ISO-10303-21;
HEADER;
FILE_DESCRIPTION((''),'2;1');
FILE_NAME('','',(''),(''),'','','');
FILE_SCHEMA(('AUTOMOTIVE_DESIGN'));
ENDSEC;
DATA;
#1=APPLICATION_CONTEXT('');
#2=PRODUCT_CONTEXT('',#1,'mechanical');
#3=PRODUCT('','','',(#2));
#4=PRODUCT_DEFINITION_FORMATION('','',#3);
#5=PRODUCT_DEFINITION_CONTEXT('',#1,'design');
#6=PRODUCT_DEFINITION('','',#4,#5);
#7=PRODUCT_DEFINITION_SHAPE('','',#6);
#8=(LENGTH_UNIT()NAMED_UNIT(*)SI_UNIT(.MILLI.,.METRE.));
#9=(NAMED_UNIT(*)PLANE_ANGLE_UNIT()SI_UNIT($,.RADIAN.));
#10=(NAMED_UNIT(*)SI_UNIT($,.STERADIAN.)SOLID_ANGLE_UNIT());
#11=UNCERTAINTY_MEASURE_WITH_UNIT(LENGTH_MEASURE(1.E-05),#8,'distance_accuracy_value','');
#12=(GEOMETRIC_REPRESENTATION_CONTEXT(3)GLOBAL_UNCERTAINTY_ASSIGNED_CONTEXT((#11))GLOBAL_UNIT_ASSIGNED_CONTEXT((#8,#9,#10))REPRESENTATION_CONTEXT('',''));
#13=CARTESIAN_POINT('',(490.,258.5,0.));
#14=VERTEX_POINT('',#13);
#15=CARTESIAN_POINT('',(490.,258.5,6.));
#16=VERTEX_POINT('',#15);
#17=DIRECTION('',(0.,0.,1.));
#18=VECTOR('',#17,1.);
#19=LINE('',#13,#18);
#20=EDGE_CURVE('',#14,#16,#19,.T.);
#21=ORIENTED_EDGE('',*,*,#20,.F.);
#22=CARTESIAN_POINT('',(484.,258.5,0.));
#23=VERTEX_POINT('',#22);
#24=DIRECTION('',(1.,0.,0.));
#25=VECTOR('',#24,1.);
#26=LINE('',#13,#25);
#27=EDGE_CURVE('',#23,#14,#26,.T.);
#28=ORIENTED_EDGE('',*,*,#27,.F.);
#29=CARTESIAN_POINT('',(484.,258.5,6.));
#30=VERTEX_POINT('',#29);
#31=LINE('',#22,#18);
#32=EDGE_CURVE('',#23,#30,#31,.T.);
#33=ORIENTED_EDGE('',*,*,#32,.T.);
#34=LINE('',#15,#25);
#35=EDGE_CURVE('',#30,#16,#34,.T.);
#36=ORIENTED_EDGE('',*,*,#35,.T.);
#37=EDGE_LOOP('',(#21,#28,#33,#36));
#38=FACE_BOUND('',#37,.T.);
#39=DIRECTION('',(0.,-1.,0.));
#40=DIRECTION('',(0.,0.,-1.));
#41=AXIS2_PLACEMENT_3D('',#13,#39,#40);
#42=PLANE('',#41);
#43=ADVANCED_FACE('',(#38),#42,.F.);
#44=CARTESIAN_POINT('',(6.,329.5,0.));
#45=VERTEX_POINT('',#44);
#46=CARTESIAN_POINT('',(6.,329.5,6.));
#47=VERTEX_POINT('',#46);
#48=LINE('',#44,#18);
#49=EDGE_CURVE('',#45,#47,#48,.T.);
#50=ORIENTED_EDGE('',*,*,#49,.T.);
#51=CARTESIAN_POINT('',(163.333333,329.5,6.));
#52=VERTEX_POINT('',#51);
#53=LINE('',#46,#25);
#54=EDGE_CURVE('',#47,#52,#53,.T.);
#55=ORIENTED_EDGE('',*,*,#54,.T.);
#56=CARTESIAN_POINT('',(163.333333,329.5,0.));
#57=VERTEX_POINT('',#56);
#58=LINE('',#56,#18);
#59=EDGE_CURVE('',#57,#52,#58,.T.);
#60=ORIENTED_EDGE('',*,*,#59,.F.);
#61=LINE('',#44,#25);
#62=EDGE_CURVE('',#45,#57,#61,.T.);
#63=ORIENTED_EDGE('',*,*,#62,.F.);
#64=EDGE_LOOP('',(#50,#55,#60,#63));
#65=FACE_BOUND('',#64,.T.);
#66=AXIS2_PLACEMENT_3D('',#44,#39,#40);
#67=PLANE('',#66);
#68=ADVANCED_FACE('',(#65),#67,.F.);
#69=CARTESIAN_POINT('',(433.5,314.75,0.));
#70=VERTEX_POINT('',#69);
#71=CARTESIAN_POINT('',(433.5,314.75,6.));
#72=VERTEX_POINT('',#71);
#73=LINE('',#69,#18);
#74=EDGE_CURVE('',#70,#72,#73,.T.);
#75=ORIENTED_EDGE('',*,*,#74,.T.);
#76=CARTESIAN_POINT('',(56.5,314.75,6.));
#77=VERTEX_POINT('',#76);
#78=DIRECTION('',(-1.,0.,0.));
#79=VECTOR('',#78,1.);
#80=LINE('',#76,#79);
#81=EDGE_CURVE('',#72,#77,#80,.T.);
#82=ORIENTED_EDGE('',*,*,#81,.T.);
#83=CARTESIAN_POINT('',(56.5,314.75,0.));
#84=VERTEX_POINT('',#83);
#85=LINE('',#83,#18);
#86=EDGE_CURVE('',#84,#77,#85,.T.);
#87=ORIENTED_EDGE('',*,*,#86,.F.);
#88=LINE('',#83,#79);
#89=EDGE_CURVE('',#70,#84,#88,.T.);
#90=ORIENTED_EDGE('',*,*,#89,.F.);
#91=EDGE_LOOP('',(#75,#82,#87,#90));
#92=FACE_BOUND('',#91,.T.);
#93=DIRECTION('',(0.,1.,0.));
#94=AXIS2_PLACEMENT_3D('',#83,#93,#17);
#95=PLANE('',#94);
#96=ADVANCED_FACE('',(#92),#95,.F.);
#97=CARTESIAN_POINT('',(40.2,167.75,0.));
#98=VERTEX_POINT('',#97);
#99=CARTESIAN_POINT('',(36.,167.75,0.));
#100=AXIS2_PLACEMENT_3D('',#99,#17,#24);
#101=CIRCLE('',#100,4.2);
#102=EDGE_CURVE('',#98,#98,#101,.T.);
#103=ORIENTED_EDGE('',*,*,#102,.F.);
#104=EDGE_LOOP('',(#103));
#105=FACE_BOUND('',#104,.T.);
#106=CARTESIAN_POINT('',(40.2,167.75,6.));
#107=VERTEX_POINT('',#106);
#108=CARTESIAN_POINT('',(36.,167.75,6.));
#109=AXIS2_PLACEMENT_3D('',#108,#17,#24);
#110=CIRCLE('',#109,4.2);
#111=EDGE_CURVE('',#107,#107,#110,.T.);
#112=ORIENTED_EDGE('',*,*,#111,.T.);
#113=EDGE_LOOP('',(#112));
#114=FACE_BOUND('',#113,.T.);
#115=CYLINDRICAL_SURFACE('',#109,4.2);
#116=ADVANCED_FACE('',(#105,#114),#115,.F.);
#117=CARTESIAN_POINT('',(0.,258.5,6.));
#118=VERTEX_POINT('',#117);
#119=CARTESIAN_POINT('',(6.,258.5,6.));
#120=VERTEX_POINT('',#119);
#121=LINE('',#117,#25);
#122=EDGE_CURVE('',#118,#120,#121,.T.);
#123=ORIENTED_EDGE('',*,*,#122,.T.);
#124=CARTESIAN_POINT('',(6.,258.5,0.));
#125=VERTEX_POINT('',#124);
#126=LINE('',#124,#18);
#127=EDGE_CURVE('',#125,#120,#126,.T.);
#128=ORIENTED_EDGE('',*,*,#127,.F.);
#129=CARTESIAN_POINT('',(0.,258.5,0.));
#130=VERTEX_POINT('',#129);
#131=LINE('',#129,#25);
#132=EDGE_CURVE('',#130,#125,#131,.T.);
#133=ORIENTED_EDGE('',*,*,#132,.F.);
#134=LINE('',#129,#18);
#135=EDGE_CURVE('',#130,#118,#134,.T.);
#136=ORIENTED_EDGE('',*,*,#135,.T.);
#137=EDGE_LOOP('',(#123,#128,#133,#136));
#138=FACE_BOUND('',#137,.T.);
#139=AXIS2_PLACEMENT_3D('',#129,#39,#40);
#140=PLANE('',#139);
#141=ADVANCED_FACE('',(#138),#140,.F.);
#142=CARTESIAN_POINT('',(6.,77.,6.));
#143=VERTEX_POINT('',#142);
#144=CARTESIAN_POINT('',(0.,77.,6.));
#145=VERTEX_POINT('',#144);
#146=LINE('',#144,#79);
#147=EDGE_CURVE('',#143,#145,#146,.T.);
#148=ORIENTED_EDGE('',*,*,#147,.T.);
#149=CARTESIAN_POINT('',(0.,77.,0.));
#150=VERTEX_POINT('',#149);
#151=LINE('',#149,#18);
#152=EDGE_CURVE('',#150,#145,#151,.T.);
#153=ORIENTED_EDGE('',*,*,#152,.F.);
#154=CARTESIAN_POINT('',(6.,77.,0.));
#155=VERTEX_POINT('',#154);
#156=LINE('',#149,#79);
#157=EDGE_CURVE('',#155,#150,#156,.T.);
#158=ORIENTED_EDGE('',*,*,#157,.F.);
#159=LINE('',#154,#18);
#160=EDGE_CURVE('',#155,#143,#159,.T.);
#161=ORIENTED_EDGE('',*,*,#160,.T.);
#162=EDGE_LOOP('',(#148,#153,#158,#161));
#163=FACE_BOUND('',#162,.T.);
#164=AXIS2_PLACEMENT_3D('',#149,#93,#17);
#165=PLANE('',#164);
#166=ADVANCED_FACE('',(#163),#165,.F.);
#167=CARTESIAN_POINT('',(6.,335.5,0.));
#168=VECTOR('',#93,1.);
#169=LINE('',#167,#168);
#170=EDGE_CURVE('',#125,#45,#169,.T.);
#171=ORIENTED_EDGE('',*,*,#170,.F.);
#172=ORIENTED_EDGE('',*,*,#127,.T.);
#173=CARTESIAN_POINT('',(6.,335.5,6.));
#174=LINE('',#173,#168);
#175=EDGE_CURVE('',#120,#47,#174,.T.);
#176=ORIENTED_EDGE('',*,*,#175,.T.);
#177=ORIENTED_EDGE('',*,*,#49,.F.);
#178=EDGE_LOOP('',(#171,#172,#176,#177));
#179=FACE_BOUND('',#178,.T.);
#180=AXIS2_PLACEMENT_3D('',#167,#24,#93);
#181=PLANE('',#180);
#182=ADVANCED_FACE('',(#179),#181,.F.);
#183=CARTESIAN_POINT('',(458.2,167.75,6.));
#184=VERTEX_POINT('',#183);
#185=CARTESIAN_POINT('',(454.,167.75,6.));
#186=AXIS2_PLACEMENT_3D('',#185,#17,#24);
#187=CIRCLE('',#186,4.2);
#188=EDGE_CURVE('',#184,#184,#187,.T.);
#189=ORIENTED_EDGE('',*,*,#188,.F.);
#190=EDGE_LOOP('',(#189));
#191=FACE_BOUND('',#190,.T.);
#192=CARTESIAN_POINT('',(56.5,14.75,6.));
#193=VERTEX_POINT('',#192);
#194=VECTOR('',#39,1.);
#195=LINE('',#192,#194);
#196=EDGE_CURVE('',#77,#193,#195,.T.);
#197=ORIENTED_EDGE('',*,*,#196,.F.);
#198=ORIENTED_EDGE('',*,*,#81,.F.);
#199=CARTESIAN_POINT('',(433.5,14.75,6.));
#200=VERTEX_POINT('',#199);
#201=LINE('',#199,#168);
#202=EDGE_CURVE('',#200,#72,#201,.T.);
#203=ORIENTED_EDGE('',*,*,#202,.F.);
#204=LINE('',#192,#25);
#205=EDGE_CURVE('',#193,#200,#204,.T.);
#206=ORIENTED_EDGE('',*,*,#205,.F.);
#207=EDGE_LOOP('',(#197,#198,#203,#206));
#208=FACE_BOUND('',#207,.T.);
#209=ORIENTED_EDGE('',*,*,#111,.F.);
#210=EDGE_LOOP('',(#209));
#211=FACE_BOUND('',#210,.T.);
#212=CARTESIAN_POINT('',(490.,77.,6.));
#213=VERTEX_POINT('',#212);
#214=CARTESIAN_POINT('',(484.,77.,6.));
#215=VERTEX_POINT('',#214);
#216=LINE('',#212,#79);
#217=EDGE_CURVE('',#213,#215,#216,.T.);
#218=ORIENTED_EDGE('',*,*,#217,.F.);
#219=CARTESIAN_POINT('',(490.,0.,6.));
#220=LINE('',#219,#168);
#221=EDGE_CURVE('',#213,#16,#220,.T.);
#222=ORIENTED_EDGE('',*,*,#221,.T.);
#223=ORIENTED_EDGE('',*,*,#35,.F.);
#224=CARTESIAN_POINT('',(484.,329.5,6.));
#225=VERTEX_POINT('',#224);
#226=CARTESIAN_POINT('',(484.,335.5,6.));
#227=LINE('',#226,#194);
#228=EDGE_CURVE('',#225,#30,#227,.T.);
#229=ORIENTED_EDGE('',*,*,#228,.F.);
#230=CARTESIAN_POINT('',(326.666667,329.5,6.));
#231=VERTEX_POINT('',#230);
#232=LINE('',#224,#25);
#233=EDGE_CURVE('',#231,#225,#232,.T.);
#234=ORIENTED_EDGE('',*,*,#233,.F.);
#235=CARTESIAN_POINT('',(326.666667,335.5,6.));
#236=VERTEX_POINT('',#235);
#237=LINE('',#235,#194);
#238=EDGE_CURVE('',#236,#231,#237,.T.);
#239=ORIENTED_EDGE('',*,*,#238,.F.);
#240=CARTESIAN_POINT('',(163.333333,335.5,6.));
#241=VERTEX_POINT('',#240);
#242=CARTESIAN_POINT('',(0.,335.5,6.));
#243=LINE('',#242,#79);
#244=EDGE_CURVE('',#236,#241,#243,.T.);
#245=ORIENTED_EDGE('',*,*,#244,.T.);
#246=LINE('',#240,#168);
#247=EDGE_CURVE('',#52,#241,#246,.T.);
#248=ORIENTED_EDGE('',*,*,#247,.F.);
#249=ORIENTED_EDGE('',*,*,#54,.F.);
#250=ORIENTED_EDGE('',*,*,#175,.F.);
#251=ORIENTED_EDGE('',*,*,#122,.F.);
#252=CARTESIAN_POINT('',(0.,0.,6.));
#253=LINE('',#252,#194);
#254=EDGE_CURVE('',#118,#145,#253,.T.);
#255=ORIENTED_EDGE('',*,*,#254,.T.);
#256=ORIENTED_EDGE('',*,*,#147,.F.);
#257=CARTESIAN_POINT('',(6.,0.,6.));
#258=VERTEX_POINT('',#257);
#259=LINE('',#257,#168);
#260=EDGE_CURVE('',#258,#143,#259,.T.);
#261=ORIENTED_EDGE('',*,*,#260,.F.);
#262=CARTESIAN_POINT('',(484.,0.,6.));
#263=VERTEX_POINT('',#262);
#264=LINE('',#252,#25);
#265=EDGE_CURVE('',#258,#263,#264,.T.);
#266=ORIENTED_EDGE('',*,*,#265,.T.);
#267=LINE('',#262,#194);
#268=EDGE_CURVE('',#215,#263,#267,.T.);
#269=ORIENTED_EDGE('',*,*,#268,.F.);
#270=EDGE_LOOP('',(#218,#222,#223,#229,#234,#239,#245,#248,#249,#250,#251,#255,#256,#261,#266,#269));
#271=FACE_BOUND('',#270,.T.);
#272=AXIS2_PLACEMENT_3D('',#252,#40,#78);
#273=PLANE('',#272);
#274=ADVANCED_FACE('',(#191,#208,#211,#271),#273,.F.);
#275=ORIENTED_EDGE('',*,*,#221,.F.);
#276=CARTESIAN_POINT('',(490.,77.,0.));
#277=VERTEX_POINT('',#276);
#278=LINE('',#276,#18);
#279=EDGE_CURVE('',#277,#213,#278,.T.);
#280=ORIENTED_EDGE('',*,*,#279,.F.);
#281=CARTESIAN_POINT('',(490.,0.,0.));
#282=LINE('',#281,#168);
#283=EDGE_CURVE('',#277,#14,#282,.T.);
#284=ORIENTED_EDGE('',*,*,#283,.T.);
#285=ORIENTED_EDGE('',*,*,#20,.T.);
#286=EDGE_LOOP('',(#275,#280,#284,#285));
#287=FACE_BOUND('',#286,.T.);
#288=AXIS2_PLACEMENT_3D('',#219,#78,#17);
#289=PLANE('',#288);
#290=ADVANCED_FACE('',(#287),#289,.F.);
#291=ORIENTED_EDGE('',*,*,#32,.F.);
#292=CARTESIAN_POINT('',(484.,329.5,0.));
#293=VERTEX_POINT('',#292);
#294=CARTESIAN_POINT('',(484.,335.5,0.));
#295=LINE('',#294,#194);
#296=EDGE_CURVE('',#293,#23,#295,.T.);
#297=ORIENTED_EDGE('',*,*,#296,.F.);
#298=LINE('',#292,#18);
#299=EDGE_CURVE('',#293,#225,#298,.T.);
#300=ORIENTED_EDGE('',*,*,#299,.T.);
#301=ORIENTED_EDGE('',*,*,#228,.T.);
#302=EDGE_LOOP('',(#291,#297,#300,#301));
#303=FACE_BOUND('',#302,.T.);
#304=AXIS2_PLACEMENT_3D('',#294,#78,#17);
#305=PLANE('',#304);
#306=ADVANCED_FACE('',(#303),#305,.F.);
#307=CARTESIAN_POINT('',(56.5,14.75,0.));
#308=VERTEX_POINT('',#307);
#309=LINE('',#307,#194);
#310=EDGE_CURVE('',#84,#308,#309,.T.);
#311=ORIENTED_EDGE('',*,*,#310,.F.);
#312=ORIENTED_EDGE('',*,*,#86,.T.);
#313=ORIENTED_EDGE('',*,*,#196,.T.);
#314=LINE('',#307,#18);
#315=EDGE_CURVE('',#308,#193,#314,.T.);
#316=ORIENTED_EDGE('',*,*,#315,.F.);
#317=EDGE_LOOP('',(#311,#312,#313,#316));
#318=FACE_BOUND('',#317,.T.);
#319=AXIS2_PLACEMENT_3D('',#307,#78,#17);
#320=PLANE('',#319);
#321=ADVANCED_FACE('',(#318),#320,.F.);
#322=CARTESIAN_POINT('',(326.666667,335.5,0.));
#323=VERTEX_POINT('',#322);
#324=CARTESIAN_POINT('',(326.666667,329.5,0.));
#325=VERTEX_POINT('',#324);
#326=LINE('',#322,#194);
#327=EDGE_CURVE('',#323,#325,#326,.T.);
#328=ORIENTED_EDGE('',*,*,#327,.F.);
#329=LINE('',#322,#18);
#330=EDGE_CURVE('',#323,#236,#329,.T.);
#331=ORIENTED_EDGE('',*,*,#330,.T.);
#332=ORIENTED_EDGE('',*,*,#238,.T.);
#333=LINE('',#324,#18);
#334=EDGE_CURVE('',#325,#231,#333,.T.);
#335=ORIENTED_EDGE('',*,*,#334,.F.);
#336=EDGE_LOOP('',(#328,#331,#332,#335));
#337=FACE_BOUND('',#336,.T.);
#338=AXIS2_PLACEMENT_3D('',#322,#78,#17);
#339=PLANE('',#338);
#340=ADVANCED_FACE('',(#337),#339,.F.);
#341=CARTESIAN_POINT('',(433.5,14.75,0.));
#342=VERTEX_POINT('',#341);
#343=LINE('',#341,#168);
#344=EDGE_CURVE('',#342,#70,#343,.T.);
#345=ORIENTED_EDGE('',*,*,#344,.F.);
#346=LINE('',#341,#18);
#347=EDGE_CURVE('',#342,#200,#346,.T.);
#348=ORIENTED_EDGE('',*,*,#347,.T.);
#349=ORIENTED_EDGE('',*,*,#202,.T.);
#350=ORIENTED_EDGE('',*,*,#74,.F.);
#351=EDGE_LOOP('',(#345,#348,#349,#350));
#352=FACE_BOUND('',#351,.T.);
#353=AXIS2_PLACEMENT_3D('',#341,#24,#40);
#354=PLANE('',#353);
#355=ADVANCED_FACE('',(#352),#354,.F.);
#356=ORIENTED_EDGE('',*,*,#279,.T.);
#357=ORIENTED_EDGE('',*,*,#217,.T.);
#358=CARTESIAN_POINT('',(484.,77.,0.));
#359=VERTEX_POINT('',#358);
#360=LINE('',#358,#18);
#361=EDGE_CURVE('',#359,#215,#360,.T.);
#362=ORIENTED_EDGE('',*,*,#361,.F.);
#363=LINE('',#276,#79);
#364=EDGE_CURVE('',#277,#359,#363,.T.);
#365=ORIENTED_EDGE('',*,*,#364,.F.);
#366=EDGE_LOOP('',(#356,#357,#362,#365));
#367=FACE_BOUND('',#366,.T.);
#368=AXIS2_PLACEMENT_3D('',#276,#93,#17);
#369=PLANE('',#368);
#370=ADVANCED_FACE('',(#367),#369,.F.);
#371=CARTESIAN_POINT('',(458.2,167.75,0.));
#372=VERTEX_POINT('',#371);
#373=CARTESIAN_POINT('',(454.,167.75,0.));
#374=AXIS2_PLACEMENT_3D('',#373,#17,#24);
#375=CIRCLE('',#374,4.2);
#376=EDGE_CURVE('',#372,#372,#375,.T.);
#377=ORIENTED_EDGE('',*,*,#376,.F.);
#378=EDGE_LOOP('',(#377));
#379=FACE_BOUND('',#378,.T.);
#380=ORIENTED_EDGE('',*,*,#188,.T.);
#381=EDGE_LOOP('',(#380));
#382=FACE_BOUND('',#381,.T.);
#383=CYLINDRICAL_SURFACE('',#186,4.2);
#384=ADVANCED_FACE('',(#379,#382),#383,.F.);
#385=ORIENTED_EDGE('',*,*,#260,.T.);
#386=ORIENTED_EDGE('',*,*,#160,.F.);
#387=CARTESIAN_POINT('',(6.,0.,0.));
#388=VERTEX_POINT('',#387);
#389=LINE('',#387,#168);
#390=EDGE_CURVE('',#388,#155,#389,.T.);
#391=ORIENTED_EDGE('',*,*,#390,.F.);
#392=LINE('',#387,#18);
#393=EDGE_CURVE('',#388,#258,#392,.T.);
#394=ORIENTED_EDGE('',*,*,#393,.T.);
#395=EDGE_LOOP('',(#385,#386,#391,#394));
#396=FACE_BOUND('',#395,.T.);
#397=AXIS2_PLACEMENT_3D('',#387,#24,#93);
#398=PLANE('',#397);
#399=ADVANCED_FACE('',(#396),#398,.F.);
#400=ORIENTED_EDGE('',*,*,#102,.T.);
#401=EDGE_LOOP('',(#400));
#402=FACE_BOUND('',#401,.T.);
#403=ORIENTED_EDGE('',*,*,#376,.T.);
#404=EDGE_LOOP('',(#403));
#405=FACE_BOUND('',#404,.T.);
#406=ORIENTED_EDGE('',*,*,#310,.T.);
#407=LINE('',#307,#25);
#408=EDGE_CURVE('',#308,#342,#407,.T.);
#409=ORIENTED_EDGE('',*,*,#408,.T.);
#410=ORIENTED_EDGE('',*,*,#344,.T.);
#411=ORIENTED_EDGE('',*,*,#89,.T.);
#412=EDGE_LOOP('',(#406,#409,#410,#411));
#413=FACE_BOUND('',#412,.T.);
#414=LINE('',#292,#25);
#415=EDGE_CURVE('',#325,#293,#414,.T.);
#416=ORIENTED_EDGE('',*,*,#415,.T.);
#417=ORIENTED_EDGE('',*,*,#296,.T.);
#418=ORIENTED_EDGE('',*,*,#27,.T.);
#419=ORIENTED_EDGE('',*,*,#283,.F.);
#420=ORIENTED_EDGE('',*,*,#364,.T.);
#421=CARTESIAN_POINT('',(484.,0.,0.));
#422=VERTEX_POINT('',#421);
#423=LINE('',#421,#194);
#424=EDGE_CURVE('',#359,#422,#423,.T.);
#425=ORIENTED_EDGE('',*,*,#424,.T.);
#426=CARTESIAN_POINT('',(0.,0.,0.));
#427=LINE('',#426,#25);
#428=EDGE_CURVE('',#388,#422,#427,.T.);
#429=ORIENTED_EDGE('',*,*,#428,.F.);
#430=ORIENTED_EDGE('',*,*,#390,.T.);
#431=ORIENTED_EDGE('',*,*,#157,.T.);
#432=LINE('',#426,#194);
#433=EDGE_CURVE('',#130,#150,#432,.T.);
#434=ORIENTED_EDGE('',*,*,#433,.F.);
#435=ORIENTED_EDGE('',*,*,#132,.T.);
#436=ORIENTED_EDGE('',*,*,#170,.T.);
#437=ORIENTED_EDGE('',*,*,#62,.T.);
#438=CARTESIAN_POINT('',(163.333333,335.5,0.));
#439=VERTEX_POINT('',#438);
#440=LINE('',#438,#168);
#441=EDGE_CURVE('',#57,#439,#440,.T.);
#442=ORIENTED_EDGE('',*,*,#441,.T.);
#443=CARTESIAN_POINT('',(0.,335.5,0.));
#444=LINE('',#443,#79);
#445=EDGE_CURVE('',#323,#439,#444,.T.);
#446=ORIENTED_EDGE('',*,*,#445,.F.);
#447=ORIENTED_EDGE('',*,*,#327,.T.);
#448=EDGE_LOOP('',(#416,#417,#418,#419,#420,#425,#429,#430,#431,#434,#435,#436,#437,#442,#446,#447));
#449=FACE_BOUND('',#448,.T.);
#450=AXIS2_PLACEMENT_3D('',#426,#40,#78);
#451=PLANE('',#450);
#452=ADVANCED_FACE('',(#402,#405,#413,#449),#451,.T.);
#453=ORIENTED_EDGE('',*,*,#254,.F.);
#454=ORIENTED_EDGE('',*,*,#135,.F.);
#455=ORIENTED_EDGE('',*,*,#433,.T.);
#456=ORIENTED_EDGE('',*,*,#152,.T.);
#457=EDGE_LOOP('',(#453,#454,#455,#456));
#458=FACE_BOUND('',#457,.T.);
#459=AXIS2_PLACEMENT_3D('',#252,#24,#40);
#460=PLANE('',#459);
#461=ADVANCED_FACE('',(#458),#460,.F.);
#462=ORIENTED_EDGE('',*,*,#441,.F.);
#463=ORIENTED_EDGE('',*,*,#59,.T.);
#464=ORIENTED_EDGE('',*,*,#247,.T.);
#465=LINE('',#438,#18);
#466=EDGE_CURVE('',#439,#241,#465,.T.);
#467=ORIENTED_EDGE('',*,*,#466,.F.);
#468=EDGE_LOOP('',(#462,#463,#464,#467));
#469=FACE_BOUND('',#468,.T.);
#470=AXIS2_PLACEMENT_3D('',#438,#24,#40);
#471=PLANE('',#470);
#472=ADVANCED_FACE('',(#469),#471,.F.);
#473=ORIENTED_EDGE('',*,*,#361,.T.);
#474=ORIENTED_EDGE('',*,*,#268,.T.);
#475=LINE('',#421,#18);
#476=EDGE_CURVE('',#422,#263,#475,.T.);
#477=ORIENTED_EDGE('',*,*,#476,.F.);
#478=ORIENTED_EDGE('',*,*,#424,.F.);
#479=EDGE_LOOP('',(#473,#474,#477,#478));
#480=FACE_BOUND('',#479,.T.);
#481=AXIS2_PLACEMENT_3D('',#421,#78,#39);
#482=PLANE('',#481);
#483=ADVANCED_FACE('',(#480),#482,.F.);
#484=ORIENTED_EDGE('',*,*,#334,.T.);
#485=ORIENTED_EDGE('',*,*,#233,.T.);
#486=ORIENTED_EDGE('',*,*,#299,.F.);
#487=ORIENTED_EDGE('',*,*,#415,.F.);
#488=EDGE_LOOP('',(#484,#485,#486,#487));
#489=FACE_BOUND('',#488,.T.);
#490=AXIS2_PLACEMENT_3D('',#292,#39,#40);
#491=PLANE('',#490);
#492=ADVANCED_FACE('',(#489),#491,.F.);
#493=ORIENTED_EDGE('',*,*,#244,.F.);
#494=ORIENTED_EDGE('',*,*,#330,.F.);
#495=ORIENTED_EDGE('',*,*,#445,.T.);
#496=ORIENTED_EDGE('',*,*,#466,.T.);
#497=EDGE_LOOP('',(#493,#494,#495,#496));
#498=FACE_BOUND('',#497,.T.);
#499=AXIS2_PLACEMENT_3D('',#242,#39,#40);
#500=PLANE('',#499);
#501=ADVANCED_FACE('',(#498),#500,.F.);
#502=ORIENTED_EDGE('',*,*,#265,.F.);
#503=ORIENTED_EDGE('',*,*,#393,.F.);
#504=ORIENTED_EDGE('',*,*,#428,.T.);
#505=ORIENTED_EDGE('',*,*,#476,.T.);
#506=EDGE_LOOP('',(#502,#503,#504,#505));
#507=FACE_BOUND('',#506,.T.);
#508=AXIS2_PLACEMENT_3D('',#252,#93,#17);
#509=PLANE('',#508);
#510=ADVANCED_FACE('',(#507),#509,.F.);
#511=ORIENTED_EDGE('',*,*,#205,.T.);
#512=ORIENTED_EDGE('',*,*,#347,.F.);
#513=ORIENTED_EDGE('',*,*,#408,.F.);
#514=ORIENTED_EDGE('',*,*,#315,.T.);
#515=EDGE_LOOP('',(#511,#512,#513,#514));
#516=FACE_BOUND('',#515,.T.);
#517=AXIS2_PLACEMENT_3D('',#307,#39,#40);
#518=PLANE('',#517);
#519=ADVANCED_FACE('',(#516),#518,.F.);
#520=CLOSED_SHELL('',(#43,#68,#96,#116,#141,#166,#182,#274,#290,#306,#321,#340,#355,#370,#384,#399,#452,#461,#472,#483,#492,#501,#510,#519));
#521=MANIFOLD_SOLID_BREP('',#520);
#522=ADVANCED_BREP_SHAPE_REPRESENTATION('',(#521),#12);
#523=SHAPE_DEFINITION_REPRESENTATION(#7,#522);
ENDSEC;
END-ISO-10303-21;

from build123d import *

# Parameters (mm, degrees)
SKETCH1_W            = 490
SKETCH1_H            = 335.5
BOSS_EXTRUDE1_DEPTH  = 6
SKETCH5_W            = 6
SKETCH5_H            = 77
CUT_EXTRUDE2_DEPTH   = 594.882353669
SKETCH3_W            = 377
SKETCH3_H            = 300
CUT_EXTRUDE3_DEPTH   = 594.882353669
SKETCH6_W            = 157.333333333
SKETCH6_H            = 6
CUT_EXTRUDE4_DEPTH   = 594.882353669
M8_CLEARANCE_SLOT1_D = 8.4


with BuildPart() as part:
    # Sketch1 → Boss-Extrude1 (new body)
    with BuildSketch(Plane.XY):
        with Locations((245, 167.75)):
            Rectangle(SKETCH1_W, SKETCH1_H)
    extrude(amount=BOSS_EXTRUDE1_DEPTH)

    # Sketch5 → Cut-Extrude2 (cut, through all)
    with BuildSketch(Plane.XY.offset(6)):
        with Locations((3, 297)):
            Rectangle(SKETCH5_W, SKETCH5_H)
        with Locations((3, 38.5)):
            Rectangle(SKETCH5_W, SKETCH5_H)
        with Locations((487, 297)):
            Rectangle(SKETCH5_W, SKETCH5_H)
        with Locations((487, 38.5)):
            Rectangle(SKETCH5_W, SKETCH5_H)
    extrude(amount=-CUT_EXTRUDE2_DEPTH, mode=Mode.SUBTRACT)

    # Sketch3 → Cut-Extrude3 (cut, through all)
    with BuildSketch(Plane.XY.offset(6)):
        with Locations((245, 164.75)):
            Rectangle(SKETCH3_W, SKETCH3_H)
    extrude(amount=-CUT_EXTRUDE3_DEPTH, mode=Mode.SUBTRACT)

    # Sketch6 → Cut-Extrude4 (cut, through all)
    with BuildSketch(Plane.XY.offset(6)):
        with Locations((405.333333334, 332.5)):
            Rectangle(SKETCH6_W, SKETCH6_H)
        with Locations((84.666666667, 332.5)):
            Rectangle(SKETCH6_W, SKETCH6_H)
    extrude(amount=-CUT_EXTRUDE4_DEPTH, mode=Mode.SUBTRACT)

    # M8 Clearance Slot1 (through all)
    with Locations(Plane.XY.offset(6)):
        with Locations((36, 167.75), (454, 167.75)):
            Hole(M8_CLEARANCE_SLOT1_D / 2)


solid = part.part
